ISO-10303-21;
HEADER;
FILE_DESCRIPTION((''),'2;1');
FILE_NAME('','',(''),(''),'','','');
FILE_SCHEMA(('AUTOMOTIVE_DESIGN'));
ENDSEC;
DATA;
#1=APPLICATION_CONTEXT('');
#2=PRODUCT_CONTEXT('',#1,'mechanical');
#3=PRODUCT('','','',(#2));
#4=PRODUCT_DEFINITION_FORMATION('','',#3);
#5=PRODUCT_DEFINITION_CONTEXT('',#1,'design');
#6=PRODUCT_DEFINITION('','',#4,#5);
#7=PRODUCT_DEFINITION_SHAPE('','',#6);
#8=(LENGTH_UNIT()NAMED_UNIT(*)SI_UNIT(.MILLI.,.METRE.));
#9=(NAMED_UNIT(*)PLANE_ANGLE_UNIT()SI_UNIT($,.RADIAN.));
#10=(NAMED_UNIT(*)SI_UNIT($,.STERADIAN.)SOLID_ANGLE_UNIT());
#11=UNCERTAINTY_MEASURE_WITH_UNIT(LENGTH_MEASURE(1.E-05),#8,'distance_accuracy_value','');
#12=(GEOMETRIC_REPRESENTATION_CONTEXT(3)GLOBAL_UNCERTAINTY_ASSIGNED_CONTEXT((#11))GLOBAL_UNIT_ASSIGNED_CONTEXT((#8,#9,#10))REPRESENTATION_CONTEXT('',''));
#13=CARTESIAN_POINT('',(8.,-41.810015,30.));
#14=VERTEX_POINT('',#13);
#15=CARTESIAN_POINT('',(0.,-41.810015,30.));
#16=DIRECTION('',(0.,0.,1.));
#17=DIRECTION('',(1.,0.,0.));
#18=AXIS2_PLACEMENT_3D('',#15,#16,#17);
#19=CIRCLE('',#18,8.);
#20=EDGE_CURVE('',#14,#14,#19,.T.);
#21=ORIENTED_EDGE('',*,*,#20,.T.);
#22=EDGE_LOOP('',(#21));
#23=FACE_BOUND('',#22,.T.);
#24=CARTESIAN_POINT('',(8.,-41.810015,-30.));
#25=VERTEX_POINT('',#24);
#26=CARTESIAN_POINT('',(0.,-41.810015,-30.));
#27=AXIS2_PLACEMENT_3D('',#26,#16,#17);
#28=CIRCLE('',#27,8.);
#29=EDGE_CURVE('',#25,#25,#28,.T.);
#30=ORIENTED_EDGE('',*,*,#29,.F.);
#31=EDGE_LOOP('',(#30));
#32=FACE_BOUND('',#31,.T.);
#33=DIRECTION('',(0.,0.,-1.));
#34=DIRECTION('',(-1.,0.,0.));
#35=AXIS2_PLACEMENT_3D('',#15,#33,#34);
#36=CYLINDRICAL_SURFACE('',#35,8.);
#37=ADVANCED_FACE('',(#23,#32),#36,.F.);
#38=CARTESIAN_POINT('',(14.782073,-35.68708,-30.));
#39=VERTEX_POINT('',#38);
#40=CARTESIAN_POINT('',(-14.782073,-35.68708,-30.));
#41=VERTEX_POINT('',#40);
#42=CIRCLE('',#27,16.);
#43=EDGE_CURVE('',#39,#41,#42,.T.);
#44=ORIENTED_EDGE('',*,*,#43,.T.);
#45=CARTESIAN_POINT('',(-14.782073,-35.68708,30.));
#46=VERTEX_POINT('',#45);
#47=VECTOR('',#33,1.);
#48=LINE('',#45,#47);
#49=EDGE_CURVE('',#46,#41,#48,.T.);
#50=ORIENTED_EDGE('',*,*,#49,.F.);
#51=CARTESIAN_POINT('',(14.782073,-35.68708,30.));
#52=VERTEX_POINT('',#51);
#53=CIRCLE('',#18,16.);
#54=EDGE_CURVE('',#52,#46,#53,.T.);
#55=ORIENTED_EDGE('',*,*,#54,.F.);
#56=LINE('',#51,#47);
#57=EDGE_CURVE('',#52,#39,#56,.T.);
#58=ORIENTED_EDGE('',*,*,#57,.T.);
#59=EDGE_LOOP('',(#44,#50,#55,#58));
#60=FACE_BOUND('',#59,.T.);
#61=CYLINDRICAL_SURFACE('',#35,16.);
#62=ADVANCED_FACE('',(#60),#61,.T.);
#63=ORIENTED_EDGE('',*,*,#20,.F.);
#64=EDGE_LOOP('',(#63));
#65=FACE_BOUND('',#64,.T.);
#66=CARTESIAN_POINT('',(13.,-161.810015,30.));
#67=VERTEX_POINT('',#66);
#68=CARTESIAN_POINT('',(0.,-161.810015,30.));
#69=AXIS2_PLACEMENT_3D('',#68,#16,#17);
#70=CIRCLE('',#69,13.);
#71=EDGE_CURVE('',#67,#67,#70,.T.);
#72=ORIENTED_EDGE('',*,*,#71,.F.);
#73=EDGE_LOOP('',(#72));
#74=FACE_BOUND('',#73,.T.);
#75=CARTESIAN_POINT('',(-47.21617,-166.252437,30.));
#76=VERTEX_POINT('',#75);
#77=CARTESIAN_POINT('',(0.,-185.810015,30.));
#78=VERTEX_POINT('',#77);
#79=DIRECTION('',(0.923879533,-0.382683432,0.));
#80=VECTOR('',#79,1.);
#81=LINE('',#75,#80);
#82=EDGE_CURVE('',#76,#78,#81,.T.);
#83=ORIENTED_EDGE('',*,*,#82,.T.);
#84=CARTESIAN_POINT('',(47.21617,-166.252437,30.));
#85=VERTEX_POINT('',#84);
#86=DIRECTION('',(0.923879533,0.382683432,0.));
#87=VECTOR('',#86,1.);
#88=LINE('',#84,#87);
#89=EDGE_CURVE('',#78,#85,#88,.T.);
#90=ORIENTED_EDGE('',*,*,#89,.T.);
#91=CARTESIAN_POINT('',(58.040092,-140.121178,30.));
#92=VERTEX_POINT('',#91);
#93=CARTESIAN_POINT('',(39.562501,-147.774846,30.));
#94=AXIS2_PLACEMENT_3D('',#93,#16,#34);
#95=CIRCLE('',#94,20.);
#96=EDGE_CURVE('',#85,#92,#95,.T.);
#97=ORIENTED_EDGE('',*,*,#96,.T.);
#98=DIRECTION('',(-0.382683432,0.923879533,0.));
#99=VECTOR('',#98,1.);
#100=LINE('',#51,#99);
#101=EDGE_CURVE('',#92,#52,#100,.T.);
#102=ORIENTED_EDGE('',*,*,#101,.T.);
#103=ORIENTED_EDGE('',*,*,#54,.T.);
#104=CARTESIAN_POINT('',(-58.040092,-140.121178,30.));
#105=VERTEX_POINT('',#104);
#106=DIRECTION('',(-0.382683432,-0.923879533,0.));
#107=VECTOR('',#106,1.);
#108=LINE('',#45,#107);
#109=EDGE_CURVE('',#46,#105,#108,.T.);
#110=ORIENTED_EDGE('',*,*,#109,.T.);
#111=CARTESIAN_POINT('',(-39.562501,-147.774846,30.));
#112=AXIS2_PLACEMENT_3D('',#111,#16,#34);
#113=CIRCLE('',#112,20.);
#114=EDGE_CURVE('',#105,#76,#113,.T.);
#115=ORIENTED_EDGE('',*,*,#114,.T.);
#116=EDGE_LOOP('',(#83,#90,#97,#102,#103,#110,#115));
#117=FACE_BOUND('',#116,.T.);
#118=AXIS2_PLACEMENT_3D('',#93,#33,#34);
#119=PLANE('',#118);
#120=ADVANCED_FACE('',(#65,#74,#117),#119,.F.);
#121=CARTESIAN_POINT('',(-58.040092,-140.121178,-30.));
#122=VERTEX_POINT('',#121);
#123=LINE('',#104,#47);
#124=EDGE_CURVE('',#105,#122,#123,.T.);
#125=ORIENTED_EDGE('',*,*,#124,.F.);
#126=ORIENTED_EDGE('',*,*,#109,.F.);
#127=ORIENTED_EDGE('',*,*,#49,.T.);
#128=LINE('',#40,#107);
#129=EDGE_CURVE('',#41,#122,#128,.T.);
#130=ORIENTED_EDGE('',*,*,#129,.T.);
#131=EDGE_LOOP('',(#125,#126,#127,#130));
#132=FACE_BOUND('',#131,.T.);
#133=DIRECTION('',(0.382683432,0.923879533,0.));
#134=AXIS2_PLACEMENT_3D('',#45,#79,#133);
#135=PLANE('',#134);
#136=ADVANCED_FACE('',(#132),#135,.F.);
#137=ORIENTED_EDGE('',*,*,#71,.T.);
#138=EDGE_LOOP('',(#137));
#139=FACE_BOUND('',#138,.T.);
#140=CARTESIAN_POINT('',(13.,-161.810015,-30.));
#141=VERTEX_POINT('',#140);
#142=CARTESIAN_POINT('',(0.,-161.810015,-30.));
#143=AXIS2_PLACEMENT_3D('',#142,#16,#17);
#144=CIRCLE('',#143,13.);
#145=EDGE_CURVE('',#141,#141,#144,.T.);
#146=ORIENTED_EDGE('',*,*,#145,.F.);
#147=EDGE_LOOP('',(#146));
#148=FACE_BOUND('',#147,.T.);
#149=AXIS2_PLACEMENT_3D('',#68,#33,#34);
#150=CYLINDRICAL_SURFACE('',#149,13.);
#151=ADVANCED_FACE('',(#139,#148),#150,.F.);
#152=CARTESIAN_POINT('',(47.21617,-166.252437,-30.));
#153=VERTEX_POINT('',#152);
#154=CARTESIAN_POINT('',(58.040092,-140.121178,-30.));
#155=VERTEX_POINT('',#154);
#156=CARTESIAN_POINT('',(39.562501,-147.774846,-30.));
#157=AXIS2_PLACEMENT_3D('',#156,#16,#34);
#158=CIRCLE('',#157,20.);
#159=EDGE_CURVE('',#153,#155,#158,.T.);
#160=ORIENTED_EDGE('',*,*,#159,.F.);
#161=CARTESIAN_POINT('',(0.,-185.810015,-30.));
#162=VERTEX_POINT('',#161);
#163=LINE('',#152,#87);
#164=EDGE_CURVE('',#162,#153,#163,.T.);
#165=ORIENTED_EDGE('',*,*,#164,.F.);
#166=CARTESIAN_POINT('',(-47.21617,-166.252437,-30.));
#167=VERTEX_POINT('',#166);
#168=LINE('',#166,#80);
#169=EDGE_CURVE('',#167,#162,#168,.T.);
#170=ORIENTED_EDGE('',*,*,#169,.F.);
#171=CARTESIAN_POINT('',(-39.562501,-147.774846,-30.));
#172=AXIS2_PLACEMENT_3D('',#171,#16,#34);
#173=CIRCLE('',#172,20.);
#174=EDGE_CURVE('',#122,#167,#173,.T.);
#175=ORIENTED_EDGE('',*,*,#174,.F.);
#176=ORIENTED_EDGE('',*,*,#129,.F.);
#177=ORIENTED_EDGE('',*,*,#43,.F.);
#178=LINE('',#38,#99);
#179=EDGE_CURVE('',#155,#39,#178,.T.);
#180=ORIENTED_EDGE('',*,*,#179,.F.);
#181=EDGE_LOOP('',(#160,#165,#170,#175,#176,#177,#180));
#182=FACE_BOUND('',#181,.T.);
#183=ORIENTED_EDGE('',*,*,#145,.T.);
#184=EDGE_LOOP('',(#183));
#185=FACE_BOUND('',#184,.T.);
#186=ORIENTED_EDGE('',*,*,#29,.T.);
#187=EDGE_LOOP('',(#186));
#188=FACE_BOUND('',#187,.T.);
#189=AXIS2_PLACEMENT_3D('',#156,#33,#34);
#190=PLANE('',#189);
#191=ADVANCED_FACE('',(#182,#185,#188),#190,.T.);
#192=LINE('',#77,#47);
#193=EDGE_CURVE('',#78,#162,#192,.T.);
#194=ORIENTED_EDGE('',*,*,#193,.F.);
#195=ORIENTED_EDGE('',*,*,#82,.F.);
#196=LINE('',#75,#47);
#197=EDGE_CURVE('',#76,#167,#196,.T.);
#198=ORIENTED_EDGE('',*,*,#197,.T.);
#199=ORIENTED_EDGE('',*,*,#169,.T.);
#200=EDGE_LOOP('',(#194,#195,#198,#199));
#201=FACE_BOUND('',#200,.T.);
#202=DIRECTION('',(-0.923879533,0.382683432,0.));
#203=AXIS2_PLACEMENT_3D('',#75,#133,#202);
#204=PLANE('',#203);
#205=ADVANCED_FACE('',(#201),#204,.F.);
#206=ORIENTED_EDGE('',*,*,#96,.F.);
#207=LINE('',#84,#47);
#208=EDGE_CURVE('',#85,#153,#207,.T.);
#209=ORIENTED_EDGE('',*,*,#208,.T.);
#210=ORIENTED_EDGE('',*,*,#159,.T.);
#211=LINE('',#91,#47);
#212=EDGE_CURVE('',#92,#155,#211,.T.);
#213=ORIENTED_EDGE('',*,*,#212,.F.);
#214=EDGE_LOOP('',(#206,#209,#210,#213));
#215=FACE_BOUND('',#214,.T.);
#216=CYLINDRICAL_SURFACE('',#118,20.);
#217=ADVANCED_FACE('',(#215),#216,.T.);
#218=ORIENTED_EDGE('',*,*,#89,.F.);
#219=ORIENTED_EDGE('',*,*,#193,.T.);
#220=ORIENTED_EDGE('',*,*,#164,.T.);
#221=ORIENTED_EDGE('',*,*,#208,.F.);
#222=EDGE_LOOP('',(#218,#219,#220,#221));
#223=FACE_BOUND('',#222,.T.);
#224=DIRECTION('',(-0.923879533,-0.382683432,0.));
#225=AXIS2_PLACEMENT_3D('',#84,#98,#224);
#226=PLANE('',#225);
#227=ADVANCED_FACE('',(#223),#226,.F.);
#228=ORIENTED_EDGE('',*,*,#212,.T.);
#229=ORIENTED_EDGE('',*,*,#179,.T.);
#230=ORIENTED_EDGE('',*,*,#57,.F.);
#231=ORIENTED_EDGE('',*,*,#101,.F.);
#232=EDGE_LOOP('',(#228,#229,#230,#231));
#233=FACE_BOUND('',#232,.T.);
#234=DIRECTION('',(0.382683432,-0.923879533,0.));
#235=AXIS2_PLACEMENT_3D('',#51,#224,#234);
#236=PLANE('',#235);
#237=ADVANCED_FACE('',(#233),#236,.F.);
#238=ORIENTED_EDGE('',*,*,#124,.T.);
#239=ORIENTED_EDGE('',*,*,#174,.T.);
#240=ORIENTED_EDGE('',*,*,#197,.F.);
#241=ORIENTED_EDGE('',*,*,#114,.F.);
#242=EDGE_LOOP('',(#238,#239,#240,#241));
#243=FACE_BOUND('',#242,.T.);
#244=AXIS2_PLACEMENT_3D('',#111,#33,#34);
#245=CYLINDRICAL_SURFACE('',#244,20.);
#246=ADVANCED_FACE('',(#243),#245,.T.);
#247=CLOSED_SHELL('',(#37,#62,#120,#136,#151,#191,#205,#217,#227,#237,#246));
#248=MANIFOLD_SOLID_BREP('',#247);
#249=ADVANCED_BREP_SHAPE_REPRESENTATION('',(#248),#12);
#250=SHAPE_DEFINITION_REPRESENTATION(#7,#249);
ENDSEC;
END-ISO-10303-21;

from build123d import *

# Parameters (mm, degrees)
SKETCH_2_R      = 8
SKETCH_2_R_2    = 13
EXTRUDE_1_DEPTH = 30


with BuildPart() as part:
    # Эскиз2 → Бобышка-Вытянуть1 (new, symmetric)
    with BuildSketch(Plane.XY):
        with BuildLine():
            Line((14.78207252, -35.687079958), (58.040092118, -140.121177553))
            ThreePointArc((58.040092118, -140.121177553), (58.040092118, -155.428514848), (47.216170115, -166.252436851))
            Line((47.216170115, -166.252436851), (0, -185.810014876))
            Line((0, -185.810014876), (-47.216170115, -166.252436851))
            ThreePointArc((-47.216170115, -166.252436851), (-58.040092118, -155.428514848), (-58.040092118, -140.121177553))
            Line((-58.040092118, -140.121177553), (-14.78207252, -35.687079958))
            ThreePointArc((-14.78207252, -35.687079958), (0, -25.810014876), (14.78207252, -35.687079958))
        make_face()
        with Locations((0, -41.810014876)):
            Circle(SKETCH_2_R, mode=Mode.SUBTRACT)
        with Locations((0, -161.810014876)):
            Circle(SKETCH_2_R_2, mode=Mode.SUBTRACT)
    extrude(amount=EXTRUDE_1_DEPTH, both=True)


solid = part.part
